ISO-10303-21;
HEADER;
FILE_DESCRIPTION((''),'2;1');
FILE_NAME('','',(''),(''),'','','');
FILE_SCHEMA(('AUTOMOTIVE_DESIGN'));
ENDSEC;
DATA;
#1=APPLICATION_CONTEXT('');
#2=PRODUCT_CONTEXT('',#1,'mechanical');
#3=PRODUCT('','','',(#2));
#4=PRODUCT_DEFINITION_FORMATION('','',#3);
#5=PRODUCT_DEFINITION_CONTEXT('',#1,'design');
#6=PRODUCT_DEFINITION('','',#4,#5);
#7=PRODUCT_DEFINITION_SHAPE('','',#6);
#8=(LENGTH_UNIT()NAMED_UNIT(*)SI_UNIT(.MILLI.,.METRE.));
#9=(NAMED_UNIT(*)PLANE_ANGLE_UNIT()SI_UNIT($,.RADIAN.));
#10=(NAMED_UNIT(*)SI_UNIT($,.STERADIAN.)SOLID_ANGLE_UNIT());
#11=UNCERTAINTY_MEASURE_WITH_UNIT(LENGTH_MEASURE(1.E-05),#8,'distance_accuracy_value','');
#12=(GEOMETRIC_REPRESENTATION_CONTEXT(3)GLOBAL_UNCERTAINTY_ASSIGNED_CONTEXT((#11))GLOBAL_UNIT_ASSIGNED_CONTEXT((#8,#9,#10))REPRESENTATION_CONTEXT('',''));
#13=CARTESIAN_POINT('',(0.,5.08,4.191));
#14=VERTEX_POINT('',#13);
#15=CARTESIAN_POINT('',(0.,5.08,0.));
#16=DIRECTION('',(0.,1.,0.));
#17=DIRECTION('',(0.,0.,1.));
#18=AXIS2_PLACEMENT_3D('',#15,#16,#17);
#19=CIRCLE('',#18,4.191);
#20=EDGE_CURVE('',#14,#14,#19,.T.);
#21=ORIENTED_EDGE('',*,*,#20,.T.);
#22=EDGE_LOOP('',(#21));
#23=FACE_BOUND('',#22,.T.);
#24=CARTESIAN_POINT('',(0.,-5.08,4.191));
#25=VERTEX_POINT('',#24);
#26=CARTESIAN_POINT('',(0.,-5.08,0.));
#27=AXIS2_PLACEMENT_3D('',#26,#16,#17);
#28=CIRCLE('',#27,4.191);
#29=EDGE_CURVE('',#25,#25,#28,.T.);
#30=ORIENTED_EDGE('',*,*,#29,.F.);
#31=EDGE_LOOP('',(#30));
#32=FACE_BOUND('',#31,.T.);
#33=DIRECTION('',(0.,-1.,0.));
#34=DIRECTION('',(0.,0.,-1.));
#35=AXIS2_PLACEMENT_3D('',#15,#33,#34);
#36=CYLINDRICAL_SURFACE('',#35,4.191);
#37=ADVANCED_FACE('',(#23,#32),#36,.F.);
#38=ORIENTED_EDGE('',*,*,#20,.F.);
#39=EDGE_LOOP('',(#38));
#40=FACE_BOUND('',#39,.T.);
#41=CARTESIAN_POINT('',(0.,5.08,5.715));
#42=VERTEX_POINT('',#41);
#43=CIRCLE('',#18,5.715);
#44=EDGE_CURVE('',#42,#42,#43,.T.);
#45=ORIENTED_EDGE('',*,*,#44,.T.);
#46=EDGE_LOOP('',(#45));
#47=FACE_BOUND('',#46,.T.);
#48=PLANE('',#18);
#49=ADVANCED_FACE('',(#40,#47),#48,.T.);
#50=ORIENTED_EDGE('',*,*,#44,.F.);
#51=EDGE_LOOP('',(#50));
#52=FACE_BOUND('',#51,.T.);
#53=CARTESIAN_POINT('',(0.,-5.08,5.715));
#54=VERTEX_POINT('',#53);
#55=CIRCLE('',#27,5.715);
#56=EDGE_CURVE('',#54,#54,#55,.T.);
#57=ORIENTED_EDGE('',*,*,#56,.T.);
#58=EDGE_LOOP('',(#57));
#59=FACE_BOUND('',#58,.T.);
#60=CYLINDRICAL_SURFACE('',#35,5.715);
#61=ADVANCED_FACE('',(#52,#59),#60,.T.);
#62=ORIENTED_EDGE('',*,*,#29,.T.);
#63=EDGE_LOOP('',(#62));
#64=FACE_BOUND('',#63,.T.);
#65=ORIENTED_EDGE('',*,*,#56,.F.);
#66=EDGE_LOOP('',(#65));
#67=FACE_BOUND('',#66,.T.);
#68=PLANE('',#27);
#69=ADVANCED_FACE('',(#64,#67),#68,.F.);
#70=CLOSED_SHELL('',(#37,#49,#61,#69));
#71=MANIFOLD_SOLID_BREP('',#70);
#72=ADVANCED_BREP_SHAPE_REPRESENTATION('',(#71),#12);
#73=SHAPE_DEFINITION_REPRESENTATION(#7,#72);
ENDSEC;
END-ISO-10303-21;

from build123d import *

# Parameters (mm, degrees)
SKETCH1_R           = 5.715
SKETCH1_R_2         = 4.191
BOSS_EXTRUDE1_DEPTH = 5.08


with BuildPart() as part:
    # Sketch1 → Boss-Extrude1 (new body, symmetric)
    with BuildSketch(Plane(origin=(0, 0, 0), x_dir=(1, 0, 0), z_dir=(0, 1, 0))):
        Circle(SKETCH1_R)
        Circle(SKETCH1_R_2, mode=Mode.SUBTRACT)
    extrude(amount=BOSS_EXTRUDE1_DEPTH, both=True)


solid = part.part
